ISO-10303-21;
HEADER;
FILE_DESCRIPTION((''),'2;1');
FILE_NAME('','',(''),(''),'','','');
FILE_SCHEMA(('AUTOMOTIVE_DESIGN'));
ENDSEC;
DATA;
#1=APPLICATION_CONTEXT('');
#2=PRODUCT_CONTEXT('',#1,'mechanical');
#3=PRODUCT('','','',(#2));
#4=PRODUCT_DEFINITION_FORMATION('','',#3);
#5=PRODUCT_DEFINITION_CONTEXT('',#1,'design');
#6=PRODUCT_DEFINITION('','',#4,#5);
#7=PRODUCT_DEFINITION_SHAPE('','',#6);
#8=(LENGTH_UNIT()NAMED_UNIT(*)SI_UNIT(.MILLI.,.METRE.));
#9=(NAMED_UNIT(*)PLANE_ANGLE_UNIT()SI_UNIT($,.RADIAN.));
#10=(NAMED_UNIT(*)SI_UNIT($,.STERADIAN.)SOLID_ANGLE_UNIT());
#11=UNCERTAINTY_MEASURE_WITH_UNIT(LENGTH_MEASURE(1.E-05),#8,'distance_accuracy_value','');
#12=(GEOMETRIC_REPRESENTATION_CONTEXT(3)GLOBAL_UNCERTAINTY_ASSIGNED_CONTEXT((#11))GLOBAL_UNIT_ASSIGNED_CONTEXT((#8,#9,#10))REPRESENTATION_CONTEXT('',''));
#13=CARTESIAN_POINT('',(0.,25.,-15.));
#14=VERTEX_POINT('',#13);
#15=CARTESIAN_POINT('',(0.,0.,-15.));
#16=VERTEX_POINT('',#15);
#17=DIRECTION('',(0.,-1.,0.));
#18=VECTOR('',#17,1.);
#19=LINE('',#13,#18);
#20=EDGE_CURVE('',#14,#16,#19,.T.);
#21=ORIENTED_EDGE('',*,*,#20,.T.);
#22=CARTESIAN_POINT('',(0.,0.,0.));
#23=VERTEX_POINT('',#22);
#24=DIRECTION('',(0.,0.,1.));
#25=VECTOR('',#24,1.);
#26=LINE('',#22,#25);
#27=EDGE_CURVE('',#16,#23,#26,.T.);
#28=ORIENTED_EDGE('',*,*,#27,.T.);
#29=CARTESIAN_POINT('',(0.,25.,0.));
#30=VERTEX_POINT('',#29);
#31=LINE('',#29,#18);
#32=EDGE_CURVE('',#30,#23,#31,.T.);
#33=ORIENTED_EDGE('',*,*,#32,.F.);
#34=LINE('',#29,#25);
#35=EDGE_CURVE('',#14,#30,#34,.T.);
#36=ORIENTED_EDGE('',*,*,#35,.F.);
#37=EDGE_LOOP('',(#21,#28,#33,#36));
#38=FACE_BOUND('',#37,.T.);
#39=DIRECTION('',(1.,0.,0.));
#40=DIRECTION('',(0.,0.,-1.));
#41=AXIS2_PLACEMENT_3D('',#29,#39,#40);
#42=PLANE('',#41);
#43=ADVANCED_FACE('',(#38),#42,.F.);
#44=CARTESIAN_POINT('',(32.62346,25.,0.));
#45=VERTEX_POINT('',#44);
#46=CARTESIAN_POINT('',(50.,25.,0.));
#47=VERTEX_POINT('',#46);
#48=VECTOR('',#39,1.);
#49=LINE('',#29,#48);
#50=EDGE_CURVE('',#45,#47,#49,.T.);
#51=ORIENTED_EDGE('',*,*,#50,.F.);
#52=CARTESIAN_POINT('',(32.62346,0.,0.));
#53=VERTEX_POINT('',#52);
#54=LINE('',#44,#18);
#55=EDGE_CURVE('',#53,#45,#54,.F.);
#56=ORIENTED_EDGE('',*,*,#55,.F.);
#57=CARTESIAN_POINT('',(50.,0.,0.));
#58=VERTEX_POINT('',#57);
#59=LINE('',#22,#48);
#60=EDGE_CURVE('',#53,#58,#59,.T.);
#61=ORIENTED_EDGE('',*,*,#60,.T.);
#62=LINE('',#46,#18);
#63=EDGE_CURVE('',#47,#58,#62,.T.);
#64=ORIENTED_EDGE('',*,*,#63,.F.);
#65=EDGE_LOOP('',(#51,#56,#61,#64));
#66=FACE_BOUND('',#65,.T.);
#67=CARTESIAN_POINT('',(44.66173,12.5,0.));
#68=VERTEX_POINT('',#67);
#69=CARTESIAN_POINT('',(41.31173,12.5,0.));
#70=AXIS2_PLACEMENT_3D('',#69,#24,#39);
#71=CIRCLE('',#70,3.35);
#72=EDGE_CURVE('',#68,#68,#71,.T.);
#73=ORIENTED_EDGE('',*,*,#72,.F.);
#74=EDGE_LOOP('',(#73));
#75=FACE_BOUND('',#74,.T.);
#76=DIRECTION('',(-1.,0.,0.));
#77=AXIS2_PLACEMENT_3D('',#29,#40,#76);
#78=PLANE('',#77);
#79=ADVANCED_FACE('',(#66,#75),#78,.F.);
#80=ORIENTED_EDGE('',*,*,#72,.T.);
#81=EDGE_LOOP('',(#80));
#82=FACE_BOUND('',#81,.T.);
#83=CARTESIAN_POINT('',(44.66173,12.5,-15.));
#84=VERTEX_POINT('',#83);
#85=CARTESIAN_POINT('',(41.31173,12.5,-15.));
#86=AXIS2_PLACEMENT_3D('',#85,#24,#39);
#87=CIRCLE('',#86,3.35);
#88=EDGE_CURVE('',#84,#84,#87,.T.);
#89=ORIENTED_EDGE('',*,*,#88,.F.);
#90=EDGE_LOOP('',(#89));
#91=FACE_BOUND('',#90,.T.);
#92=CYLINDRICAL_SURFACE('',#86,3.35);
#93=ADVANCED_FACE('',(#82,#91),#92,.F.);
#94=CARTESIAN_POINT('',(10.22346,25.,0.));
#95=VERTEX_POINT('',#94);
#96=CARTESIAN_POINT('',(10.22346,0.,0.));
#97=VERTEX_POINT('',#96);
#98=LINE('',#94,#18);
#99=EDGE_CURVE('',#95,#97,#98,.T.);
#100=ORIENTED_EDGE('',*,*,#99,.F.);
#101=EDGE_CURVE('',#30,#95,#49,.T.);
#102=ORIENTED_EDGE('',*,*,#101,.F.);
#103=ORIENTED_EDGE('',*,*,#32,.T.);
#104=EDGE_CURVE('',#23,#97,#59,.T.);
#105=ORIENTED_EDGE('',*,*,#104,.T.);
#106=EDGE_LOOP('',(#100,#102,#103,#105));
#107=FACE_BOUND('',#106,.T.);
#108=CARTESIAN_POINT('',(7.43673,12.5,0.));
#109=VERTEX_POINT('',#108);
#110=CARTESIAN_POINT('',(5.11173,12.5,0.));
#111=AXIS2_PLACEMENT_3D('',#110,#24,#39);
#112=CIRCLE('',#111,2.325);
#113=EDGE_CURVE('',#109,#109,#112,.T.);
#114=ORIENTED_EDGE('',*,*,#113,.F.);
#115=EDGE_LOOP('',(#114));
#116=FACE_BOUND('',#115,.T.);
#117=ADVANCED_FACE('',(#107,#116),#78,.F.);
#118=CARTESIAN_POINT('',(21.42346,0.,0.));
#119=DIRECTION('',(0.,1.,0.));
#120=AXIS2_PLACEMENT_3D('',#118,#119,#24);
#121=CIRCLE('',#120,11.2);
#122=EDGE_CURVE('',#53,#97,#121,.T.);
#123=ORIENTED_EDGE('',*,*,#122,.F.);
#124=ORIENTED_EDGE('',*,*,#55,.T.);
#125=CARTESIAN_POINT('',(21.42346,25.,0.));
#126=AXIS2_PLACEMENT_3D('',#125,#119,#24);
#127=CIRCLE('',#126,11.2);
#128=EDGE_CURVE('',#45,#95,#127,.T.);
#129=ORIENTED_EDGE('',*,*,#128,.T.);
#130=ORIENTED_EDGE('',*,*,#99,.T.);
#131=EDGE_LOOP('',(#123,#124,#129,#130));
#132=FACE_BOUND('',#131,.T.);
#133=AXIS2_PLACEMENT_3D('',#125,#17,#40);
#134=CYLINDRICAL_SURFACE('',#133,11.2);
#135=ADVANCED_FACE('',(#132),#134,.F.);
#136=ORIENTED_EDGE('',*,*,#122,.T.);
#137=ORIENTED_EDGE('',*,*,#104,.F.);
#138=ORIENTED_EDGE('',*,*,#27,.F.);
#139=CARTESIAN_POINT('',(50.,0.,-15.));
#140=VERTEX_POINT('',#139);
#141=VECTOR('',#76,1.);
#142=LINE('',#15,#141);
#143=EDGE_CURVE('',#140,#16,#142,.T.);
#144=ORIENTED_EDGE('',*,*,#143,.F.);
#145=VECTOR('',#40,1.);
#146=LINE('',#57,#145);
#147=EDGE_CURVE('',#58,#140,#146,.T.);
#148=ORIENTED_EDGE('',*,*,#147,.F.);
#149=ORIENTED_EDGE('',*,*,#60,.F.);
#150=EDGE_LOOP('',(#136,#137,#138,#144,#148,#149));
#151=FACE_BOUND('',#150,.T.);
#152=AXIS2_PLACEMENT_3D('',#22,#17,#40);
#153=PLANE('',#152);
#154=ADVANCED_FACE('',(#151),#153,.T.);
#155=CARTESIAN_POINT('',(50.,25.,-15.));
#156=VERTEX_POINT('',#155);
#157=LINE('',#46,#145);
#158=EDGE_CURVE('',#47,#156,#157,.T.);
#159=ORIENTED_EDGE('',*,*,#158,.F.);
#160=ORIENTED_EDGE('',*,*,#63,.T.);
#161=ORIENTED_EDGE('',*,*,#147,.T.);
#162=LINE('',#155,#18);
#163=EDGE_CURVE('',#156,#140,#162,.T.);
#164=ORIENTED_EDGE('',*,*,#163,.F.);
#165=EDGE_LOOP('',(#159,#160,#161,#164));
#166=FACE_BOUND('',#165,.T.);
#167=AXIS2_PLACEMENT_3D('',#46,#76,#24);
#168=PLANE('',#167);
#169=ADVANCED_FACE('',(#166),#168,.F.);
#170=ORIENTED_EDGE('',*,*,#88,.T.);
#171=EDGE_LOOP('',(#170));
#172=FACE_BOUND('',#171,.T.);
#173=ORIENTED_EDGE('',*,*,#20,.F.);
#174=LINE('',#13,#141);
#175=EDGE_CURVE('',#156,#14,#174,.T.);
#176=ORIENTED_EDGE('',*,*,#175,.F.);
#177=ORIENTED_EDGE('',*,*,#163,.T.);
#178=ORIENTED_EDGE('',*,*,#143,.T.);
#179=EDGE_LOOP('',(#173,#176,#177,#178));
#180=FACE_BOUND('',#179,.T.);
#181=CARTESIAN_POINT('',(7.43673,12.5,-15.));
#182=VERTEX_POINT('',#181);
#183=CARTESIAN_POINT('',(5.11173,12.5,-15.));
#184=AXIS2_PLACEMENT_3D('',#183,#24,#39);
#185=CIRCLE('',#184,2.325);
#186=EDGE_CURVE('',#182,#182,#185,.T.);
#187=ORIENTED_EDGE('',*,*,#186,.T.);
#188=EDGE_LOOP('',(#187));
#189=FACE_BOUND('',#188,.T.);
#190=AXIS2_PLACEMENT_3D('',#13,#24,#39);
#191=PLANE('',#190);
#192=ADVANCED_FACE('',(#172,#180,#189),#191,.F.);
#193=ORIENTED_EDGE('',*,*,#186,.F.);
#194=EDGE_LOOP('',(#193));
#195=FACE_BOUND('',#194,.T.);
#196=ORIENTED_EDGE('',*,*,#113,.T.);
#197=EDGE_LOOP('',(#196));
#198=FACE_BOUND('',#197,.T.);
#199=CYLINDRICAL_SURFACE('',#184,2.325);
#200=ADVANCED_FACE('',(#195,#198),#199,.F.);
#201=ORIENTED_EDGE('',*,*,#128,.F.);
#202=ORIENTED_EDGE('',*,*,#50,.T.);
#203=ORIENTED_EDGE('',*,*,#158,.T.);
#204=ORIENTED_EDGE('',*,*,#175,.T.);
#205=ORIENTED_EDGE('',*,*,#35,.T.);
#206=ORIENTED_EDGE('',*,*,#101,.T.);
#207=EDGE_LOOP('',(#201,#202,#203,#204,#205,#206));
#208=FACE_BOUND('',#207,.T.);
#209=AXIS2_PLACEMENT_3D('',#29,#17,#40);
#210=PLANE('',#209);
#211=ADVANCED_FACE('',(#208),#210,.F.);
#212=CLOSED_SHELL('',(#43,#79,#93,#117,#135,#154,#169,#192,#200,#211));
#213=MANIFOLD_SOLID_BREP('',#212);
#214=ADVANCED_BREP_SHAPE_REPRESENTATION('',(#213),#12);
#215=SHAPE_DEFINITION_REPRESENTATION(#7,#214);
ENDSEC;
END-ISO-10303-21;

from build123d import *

# Parameters (mm, degrees)
SKETCH1_W           = 50
SKETCH1_H           = 15
BOSS_EXTRUDE1_DEPTH = 25
SKETCH4_R           = 11.2
CUT_EXTRUDE3_DEPTH  = 58.879184514
SKETCH5_R           = 2.325
SKETCH5_R_2         = 3.35
CUT_EXTRUDE4_DEPTH  = 58.879184514


with BuildPart() as part:
    # Sketch1 → Boss-Extrude1 (new body)
    with BuildSketch(Plane(origin=(0, 0, 0), x_dir=(1, 0, 0), z_dir=(0, 1, 0))):
        with Locations((25, 7.5)):
            Rectangle(SKETCH1_W, SKETCH1_H)
    extrude(amount=BOSS_EXTRUDE1_DEPTH)

    # Sketch4 → Cut-Extrude3 (cut, through all)
    with BuildSketch(Plane(origin=(0, 0, 0), x_dir=(1, 0, 0), z_dir=(0, 1, 0))):
        with Locations((21.42346, 0)):
            Circle(SKETCH4_R)
    extrude(amount=CUT_EXTRUDE3_DEPTH, mode=Mode.SUBTRACT)

    # Sketch5 → Cut-Extrude4 (cut, through all)
    with BuildSketch(Plane.XY):
        with Locations((5.11173, 12.5)):
            Circle(SKETCH5_R)
        with Locations((41.31173, 12.5)):
            Circle(SKETCH5_R_2)
    extrude(amount=-CUT_EXTRUDE4_DEPTH, mode=Mode.SUBTRACT)


solid = part.part
